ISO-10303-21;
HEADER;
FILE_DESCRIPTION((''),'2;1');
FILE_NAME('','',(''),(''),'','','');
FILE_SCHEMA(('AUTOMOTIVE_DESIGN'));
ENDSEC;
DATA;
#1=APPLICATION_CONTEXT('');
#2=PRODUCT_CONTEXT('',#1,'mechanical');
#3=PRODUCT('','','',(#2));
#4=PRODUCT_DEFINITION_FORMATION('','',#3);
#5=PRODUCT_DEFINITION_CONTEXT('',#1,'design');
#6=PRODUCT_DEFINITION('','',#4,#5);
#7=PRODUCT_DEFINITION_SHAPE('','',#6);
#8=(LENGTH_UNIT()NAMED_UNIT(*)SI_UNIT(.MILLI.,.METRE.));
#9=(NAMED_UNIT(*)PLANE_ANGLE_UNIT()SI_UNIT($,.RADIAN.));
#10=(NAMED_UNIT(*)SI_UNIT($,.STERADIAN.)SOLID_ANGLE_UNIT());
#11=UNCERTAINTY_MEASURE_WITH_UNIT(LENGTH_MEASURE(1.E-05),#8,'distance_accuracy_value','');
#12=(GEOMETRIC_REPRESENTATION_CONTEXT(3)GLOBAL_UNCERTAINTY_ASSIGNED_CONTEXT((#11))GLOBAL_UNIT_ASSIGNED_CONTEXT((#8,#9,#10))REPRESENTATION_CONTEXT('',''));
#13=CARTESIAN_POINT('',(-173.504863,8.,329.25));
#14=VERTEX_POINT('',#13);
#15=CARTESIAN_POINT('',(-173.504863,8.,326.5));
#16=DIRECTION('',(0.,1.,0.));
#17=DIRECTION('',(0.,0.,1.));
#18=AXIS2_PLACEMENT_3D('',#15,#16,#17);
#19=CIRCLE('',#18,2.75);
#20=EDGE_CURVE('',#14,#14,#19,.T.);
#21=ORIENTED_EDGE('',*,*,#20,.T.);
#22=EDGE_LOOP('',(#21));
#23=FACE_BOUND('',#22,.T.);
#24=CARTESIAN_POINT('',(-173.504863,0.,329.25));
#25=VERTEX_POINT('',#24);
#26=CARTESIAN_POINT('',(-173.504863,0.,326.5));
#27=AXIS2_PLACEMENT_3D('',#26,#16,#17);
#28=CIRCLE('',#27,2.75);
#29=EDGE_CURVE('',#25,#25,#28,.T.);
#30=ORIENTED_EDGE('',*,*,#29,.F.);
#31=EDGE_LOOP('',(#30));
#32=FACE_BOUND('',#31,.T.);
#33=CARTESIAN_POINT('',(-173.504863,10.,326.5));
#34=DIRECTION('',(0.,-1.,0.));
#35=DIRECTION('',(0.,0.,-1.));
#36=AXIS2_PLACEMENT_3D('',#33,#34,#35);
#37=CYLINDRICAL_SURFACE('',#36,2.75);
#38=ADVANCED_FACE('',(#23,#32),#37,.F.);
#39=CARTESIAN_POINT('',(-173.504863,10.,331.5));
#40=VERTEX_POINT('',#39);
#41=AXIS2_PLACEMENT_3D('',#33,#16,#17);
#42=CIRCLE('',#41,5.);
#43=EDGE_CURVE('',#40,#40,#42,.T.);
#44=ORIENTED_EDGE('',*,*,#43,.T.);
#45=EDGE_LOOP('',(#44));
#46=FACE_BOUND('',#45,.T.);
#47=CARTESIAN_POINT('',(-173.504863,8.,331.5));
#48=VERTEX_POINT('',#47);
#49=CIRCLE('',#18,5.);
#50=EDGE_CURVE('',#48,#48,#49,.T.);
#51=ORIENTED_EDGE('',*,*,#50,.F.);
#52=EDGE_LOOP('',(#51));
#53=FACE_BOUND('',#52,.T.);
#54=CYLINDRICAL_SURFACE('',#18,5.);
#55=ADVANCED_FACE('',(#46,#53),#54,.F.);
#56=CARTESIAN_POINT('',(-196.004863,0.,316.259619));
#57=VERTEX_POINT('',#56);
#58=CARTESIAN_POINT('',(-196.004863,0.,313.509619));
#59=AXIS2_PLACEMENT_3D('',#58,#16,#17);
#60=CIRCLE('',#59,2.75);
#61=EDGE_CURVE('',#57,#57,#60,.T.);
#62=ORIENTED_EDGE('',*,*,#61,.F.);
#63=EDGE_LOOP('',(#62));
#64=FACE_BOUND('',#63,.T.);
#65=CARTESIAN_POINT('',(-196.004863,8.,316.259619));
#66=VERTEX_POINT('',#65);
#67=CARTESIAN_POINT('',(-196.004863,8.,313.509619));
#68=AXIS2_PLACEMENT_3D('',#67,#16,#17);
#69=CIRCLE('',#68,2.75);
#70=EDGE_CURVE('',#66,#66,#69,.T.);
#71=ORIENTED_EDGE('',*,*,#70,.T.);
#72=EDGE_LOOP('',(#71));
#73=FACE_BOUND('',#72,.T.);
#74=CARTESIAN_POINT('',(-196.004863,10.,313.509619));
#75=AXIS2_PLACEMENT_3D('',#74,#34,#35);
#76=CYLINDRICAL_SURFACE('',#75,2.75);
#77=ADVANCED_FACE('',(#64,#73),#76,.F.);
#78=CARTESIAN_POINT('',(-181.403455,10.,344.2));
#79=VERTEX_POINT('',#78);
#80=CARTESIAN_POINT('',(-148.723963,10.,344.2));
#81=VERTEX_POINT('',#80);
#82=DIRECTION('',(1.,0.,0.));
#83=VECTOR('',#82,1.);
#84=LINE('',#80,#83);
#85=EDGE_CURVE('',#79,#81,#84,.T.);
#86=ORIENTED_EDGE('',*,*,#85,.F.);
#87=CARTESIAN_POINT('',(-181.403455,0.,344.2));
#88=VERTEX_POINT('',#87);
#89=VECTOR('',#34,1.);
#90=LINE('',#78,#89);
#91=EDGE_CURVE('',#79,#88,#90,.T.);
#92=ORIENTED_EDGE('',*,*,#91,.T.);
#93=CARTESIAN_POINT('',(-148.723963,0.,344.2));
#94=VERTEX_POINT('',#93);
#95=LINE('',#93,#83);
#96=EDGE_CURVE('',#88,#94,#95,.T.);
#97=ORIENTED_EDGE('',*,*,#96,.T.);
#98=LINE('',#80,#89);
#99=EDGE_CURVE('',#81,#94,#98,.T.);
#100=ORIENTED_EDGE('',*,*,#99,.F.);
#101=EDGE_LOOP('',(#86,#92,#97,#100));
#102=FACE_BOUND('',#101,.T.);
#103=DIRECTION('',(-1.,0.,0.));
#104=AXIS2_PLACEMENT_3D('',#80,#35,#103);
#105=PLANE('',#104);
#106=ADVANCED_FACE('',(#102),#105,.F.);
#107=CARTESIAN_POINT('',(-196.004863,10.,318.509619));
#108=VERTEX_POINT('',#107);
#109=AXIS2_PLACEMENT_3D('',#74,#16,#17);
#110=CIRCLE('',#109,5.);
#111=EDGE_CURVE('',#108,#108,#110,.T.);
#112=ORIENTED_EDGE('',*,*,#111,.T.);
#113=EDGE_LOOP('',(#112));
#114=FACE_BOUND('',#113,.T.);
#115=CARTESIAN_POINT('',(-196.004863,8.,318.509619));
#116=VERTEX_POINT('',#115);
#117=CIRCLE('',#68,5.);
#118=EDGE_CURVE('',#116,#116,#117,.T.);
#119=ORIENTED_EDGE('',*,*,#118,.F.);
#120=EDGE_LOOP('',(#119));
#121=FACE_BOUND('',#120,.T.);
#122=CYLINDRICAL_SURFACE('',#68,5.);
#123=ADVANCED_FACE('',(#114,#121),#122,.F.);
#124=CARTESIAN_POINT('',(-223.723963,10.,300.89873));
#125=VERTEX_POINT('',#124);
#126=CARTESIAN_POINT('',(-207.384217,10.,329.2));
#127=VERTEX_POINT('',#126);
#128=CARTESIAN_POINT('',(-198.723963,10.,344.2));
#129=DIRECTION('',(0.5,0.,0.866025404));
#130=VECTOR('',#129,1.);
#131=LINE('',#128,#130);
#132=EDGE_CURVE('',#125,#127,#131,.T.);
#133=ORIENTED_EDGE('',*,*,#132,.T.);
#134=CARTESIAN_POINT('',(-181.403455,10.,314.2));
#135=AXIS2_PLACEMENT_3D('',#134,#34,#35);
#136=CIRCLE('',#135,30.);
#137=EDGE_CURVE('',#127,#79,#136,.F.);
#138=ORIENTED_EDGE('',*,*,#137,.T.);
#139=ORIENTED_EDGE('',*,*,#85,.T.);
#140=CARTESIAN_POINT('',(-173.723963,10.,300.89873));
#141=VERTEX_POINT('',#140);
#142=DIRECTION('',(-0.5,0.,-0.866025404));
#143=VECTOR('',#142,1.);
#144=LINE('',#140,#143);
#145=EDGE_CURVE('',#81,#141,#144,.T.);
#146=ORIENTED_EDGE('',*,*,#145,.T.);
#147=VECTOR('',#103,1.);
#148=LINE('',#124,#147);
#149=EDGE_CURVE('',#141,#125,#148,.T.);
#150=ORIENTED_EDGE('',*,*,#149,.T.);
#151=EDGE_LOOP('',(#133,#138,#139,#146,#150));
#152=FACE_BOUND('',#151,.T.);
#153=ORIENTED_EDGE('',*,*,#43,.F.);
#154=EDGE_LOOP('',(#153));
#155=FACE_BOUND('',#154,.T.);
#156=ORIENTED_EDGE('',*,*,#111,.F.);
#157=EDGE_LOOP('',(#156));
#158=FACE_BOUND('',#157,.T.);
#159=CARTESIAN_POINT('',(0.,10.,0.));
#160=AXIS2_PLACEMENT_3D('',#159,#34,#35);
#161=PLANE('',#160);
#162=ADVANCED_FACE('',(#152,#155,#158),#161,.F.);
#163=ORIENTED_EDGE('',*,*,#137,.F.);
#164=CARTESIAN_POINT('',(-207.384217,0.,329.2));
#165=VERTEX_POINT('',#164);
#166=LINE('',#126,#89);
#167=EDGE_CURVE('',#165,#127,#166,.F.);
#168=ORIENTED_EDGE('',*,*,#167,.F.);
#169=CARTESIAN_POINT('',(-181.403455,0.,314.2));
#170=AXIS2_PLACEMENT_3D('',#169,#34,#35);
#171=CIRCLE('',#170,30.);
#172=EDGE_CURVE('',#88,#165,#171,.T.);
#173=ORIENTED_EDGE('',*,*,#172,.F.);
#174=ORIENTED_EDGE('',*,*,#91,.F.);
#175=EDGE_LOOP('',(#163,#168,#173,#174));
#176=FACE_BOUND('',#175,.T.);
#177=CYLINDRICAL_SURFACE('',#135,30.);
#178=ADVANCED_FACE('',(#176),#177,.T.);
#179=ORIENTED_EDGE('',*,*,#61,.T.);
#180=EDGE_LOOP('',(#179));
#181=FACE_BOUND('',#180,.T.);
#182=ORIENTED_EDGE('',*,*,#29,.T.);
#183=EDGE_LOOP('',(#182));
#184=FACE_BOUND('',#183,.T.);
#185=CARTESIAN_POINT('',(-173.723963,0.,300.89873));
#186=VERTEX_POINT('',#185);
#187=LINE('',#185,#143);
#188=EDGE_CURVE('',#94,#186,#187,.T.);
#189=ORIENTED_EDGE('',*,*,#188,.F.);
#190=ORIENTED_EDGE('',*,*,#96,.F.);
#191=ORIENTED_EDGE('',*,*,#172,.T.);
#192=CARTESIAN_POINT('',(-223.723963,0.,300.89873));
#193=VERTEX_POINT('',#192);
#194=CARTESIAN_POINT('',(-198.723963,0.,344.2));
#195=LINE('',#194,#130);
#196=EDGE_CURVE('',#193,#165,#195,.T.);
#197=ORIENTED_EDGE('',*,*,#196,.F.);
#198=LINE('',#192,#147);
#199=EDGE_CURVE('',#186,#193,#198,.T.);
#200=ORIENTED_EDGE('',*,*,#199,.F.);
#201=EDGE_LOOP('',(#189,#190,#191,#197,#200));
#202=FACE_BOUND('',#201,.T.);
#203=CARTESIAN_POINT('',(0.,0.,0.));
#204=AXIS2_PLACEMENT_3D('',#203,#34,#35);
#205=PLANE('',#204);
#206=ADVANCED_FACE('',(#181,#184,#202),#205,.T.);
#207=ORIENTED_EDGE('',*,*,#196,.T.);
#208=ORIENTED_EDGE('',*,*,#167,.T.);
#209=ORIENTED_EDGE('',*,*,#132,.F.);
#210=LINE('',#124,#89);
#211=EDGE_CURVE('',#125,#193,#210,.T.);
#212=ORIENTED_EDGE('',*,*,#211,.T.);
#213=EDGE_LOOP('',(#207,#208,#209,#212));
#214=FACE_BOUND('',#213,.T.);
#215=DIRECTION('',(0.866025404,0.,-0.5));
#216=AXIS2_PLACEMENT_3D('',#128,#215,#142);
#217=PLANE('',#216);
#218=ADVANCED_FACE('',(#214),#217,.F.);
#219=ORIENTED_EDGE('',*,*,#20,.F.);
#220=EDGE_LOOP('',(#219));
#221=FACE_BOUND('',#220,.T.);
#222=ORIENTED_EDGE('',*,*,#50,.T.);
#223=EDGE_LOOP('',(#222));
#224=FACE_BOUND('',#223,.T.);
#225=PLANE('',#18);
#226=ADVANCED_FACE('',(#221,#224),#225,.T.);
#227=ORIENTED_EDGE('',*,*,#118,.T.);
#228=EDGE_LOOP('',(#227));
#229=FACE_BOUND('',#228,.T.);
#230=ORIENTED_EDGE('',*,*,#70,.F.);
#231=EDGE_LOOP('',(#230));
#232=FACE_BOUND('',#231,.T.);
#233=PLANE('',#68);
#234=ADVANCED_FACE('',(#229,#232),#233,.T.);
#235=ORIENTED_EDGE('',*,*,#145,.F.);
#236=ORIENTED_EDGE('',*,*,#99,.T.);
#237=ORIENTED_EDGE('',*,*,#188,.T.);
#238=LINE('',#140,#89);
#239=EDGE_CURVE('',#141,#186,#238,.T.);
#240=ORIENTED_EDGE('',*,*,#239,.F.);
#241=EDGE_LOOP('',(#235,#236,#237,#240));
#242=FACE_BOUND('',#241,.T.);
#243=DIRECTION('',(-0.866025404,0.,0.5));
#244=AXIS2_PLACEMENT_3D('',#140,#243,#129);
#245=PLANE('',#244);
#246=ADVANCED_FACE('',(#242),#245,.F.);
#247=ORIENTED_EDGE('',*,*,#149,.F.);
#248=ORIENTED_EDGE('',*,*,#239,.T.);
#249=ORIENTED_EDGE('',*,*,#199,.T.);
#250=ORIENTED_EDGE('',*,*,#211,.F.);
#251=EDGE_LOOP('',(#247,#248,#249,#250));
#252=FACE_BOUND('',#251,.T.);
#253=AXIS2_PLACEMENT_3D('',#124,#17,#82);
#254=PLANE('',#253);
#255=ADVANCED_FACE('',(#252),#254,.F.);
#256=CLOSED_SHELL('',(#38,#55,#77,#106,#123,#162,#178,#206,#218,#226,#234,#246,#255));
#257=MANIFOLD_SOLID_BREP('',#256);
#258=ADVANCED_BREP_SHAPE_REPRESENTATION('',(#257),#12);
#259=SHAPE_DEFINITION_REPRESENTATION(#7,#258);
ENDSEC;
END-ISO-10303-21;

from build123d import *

# Parameters (mm, degrees)
CROQUIS1_R              = 2.75
SALIENTE_EXTRUIR1_DEPTH = 10
CROQUIS2_R              = 5
CORTAR_EXTRUIR1_DEPTH   = 2
REDONDEO1_R             = 30


with BuildPart() as part:
    # Croquis1 → Saliente-Extruir1 (new body)
    with BuildSketch(Plane(origin=(0, 0, 0), x_dir=(1, 0, 0), z_dir=(0, 1, 0))):
        Polygon((-148.723962655, -344.2), (-198.723962655, -344.2), (-223.723962655, -300.898729811), (-173.723962655, -300.898729811), align=None)
        with Locations((-173.50486289, -326.5)):
            Circle(CROQUIS1_R, mode=Mode.SUBTRACT)
        with Locations((-196.00486289, -313.509618943)):
            Circle(CROQUIS1_R, mode=Mode.SUBTRACT)
    extrude(amount=SALIENTE_EXTRUIR1_DEPTH)

    # Croquis2 → Cortar-Extruir1 (cut)
    with BuildSketch(Plane(origin=(0, 10, 0), x_dir=(1, 0, 0), z_dir=(0, 1, 0))):
        with Locations((-196.00486289, -313.509618943)):
            Circle(CROQUIS2_R)
        with Locations((-173.50486289, -326.5)):
            Circle(CROQUIS2_R)
    extrude(amount=-CORTAR_EXTRUIR1_DEPTH, mode=Mode.SUBTRACT)

    # Redondeo1
    redondeo1_edges = [part.edges().sort_by_distance(p)[0] for p in [
        (-198.723962655, 5, 344.2),
    ]]
    fillet(redondeo1_edges, radius=REDONDEO1_R)


solid = part.part
